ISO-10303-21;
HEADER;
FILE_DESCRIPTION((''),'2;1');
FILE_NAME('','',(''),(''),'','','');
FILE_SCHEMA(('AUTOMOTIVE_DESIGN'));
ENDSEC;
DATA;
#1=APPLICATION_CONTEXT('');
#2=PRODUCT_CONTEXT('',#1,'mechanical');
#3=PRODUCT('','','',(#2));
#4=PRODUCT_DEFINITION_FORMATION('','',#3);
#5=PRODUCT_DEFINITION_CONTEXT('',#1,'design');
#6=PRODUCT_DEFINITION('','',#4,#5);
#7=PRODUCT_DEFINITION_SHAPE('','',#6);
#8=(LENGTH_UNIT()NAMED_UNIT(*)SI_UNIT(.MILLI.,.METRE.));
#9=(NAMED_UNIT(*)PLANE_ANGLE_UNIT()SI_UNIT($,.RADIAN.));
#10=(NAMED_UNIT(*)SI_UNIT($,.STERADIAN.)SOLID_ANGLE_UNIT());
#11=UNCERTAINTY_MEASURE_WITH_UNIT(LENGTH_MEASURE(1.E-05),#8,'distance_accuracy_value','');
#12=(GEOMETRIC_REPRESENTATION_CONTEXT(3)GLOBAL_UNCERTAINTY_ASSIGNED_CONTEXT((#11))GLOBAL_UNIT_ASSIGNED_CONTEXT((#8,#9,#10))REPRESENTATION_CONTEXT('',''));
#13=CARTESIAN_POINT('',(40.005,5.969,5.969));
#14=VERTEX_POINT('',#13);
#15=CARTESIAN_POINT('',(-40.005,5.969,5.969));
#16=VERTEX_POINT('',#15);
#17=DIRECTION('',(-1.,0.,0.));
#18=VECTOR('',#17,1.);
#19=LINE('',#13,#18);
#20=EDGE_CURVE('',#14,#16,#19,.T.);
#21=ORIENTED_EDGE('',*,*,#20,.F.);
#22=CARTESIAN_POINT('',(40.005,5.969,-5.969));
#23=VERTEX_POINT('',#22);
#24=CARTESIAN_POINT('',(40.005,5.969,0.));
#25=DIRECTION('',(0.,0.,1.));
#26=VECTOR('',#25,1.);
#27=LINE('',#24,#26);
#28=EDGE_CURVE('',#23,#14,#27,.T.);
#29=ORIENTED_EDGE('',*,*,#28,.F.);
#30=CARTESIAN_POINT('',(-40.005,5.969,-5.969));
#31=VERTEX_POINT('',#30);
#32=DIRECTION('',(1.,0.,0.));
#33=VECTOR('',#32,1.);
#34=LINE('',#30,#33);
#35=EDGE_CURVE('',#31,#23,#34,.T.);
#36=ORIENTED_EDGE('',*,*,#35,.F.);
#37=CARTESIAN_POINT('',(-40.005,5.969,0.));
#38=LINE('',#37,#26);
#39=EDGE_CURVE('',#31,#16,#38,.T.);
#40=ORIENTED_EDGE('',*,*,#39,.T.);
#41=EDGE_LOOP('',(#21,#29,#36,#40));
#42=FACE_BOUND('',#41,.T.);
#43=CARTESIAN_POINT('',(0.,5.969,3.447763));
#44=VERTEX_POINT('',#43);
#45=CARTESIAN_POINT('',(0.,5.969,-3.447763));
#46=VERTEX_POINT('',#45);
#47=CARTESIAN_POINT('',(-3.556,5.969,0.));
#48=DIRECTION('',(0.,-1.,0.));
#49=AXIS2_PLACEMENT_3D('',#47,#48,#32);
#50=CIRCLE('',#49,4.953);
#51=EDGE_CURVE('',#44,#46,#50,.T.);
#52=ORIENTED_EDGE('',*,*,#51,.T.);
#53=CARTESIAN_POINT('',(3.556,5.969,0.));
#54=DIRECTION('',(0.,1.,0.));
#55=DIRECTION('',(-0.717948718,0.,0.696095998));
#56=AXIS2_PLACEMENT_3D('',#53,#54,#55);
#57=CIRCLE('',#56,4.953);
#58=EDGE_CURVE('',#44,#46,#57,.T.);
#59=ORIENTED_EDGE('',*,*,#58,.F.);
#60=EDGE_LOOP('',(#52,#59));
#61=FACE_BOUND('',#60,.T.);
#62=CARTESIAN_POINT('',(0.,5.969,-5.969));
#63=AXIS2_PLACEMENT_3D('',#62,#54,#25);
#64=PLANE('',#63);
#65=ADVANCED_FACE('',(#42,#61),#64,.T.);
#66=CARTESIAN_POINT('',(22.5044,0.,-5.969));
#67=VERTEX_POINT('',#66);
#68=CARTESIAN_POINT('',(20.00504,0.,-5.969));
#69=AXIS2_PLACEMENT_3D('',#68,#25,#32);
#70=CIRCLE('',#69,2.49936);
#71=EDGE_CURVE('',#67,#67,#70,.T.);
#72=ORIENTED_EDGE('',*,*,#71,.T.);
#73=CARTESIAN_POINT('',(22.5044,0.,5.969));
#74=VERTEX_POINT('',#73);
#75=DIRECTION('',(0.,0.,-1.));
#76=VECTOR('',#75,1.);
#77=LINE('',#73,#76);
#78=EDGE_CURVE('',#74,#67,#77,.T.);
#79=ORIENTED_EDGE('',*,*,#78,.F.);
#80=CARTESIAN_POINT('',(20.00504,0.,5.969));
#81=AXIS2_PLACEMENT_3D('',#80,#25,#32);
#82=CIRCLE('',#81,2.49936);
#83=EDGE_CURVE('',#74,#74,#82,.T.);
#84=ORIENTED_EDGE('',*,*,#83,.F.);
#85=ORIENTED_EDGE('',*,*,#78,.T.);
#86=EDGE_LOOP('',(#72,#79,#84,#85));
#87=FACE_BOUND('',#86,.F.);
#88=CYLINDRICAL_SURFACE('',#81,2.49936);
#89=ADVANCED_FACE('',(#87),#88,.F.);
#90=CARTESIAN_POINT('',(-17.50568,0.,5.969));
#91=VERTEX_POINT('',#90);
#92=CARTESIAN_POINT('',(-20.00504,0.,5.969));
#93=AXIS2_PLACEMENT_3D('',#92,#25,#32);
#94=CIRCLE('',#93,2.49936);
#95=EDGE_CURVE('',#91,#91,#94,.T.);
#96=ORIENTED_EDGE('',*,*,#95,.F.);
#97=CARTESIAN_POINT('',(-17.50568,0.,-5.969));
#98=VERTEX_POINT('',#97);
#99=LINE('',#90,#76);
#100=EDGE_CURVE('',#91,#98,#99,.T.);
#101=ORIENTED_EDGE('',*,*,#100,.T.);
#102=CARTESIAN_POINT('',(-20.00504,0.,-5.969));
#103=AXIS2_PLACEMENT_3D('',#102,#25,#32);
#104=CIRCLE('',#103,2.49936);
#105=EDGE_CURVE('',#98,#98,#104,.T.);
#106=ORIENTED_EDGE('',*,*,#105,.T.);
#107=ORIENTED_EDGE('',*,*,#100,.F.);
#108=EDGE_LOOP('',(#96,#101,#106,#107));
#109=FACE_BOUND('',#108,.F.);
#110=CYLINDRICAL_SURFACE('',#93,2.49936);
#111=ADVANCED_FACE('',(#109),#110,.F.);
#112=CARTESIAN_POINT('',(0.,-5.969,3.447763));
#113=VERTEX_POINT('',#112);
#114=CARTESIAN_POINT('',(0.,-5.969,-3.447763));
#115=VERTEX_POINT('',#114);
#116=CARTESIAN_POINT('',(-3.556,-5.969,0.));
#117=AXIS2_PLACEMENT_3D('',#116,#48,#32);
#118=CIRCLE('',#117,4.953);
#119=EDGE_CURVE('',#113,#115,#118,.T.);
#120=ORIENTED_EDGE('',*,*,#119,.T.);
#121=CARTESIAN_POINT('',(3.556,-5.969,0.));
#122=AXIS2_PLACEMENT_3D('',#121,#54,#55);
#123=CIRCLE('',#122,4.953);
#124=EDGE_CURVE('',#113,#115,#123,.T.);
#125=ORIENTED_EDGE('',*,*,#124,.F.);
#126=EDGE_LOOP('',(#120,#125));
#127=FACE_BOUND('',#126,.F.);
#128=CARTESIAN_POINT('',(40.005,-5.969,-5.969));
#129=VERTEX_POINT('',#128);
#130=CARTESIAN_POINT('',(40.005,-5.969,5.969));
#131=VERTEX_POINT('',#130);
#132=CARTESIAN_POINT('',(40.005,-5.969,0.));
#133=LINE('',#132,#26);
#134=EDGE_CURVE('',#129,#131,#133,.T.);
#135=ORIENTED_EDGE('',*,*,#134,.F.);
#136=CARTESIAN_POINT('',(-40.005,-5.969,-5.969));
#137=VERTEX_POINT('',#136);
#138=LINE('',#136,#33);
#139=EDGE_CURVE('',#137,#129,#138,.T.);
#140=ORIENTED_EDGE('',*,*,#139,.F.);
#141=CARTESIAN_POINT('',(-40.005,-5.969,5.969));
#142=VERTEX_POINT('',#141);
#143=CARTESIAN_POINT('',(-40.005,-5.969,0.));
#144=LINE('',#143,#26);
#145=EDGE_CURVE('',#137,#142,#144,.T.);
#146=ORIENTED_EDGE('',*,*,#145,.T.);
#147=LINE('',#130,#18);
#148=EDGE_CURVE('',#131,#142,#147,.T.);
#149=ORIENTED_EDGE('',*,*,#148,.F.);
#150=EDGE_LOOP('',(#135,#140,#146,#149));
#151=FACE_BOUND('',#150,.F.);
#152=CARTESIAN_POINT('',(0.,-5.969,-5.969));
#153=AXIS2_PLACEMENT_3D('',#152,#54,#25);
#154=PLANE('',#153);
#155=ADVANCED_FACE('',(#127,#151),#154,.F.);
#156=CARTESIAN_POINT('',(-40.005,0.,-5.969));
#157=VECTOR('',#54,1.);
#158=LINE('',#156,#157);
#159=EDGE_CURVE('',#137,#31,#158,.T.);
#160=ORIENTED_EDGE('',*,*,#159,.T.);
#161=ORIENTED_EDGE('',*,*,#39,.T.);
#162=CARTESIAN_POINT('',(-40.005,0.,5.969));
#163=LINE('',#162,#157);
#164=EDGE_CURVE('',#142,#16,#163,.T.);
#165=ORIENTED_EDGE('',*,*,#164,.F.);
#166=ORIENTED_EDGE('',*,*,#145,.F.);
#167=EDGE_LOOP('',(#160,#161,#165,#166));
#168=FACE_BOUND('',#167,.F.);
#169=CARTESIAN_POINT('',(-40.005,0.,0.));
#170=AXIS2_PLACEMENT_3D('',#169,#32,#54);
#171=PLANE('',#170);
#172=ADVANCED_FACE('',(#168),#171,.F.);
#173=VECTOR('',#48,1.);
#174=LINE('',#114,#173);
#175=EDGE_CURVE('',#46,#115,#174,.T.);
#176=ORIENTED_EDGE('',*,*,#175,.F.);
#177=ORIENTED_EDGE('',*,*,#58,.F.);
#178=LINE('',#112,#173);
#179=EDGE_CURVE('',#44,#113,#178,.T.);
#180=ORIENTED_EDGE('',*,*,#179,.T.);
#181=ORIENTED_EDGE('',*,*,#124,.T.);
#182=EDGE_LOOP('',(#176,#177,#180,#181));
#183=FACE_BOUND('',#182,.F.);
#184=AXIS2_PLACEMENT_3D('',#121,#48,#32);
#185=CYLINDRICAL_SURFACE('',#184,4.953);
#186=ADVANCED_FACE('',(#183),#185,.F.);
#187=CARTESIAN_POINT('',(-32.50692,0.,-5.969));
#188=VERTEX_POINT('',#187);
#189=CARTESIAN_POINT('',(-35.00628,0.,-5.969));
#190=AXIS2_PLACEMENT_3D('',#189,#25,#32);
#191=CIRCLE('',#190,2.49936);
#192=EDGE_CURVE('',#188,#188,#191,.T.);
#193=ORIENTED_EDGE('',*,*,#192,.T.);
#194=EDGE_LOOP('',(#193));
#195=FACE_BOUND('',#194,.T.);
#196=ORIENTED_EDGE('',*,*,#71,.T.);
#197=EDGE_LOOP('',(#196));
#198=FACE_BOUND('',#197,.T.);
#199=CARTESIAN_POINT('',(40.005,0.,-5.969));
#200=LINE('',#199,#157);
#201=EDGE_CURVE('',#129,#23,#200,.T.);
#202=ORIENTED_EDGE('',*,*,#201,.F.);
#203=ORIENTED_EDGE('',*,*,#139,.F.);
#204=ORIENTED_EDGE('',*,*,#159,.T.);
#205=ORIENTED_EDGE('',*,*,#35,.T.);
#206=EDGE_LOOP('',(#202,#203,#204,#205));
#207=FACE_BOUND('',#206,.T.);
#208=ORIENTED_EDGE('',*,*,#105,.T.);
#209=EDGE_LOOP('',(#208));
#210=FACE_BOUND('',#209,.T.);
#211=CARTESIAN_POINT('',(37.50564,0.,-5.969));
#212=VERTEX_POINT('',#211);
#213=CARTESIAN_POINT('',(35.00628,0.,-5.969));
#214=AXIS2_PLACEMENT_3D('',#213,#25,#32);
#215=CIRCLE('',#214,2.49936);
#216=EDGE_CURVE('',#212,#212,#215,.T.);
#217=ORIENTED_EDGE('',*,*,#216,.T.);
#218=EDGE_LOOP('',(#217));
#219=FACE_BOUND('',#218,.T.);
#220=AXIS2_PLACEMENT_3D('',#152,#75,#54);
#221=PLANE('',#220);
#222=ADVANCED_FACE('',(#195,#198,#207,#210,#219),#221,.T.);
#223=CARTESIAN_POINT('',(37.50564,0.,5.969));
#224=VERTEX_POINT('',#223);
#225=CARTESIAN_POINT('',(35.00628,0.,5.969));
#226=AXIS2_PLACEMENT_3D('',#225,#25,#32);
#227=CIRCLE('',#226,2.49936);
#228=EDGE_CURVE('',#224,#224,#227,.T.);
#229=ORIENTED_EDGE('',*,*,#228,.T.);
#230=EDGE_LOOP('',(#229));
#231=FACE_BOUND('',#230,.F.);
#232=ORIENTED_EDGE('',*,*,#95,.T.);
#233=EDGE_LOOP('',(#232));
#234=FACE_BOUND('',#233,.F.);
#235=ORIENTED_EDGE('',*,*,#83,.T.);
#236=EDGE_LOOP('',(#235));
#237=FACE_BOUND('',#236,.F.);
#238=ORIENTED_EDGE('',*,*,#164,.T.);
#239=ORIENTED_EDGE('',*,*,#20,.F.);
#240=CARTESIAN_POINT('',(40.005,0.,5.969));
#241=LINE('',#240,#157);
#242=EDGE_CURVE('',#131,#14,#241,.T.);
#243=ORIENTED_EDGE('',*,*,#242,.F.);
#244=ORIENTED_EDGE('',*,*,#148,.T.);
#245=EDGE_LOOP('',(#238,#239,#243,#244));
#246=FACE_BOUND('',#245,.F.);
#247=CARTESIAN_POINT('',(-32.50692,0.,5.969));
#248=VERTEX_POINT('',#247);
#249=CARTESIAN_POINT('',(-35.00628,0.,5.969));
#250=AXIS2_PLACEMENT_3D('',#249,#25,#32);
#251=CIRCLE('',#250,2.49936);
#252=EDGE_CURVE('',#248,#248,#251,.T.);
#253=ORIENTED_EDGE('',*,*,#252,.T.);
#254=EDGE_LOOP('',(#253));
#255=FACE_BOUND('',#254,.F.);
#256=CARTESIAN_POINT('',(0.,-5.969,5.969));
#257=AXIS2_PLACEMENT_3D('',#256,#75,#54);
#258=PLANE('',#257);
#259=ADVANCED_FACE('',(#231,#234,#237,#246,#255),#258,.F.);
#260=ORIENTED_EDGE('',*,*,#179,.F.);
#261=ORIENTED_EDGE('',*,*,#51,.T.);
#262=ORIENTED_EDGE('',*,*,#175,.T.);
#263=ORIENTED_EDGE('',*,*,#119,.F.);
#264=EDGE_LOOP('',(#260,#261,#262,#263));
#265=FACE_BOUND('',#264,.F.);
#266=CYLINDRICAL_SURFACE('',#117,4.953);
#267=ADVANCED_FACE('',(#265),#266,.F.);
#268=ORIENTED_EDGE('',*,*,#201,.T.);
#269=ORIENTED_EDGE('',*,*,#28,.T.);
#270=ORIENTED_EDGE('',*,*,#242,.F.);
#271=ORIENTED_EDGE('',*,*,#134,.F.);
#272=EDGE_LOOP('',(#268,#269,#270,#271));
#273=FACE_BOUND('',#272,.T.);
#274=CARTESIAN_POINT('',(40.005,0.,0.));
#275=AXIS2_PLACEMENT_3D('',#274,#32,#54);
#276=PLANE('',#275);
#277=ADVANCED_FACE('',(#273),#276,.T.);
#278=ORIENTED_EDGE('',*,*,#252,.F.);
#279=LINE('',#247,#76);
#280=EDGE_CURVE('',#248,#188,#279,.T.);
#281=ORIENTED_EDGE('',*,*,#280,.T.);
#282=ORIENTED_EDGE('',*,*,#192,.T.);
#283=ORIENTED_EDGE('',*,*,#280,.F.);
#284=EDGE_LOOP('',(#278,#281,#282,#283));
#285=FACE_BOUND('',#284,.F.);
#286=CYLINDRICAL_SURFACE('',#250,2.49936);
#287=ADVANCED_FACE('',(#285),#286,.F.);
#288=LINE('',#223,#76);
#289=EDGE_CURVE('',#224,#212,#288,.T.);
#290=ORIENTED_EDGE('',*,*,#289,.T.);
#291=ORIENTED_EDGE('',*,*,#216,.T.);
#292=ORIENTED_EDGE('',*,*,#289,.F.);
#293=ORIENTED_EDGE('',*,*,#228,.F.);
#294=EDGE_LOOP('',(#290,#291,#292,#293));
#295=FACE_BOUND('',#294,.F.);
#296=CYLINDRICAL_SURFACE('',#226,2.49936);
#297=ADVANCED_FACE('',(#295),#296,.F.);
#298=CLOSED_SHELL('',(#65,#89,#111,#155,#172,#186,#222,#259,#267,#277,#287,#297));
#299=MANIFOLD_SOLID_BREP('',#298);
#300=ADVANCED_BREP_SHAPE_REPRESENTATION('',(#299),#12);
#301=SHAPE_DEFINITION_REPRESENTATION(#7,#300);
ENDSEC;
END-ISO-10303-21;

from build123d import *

# Parameters (mm, degrees)
F0_W     = 11.938
F0_H     = 11.938
F1_DEPTH = 40.005
F2_R     = 4.953
F3_DEPTH = 25.4
F4_R     = 4.953
F5_DEPTH = 11.939
F6_R     = 2.49936
F7_DEPTH = 11.939


with BuildPart() as f1:
    # F0 (on Right) → F1 (new body, symmetric)
    with BuildSketch(Plane.YZ):
        Rectangle(F0_W, F0_H)
    extrude(amount=F1_DEPTH, both=True)

    # F2 (on face) → F3 (cut)
    with BuildSketch(Plane.XZ.offset(5.969)):
        with Locations((3.556, 0)):
            Circle(F2_R)
    extrude(amount=-F3_DEPTH, mode=Mode.SUBTRACT)

    # F4 (on face) → F5 (cut, through all)
    with BuildSketch(Plane.XZ.offset(5.969)):
        with Locations((-3.556, 0)):
            Circle(F4_R)
    extrude(amount=-F5_DEPTH, mode=Mode.SUBTRACT)

    # F6 (on face) → F7 (cut, through all)
    with BuildSketch(Plane.XY.offset(5.969)):
        with Locations((-35.00628, 0)):
            Circle(F6_R)
        with Locations((-20.00504, 0)):
            Circle(F6_R)
        with Locations((20.00504, 0)):
            Circle(F6_R)
        with Locations((35.00628, 0)):
            Circle(F6_R)
    extrude(amount=-F7_DEPTH, mode=Mode.SUBTRACT)


solid = f1.part
